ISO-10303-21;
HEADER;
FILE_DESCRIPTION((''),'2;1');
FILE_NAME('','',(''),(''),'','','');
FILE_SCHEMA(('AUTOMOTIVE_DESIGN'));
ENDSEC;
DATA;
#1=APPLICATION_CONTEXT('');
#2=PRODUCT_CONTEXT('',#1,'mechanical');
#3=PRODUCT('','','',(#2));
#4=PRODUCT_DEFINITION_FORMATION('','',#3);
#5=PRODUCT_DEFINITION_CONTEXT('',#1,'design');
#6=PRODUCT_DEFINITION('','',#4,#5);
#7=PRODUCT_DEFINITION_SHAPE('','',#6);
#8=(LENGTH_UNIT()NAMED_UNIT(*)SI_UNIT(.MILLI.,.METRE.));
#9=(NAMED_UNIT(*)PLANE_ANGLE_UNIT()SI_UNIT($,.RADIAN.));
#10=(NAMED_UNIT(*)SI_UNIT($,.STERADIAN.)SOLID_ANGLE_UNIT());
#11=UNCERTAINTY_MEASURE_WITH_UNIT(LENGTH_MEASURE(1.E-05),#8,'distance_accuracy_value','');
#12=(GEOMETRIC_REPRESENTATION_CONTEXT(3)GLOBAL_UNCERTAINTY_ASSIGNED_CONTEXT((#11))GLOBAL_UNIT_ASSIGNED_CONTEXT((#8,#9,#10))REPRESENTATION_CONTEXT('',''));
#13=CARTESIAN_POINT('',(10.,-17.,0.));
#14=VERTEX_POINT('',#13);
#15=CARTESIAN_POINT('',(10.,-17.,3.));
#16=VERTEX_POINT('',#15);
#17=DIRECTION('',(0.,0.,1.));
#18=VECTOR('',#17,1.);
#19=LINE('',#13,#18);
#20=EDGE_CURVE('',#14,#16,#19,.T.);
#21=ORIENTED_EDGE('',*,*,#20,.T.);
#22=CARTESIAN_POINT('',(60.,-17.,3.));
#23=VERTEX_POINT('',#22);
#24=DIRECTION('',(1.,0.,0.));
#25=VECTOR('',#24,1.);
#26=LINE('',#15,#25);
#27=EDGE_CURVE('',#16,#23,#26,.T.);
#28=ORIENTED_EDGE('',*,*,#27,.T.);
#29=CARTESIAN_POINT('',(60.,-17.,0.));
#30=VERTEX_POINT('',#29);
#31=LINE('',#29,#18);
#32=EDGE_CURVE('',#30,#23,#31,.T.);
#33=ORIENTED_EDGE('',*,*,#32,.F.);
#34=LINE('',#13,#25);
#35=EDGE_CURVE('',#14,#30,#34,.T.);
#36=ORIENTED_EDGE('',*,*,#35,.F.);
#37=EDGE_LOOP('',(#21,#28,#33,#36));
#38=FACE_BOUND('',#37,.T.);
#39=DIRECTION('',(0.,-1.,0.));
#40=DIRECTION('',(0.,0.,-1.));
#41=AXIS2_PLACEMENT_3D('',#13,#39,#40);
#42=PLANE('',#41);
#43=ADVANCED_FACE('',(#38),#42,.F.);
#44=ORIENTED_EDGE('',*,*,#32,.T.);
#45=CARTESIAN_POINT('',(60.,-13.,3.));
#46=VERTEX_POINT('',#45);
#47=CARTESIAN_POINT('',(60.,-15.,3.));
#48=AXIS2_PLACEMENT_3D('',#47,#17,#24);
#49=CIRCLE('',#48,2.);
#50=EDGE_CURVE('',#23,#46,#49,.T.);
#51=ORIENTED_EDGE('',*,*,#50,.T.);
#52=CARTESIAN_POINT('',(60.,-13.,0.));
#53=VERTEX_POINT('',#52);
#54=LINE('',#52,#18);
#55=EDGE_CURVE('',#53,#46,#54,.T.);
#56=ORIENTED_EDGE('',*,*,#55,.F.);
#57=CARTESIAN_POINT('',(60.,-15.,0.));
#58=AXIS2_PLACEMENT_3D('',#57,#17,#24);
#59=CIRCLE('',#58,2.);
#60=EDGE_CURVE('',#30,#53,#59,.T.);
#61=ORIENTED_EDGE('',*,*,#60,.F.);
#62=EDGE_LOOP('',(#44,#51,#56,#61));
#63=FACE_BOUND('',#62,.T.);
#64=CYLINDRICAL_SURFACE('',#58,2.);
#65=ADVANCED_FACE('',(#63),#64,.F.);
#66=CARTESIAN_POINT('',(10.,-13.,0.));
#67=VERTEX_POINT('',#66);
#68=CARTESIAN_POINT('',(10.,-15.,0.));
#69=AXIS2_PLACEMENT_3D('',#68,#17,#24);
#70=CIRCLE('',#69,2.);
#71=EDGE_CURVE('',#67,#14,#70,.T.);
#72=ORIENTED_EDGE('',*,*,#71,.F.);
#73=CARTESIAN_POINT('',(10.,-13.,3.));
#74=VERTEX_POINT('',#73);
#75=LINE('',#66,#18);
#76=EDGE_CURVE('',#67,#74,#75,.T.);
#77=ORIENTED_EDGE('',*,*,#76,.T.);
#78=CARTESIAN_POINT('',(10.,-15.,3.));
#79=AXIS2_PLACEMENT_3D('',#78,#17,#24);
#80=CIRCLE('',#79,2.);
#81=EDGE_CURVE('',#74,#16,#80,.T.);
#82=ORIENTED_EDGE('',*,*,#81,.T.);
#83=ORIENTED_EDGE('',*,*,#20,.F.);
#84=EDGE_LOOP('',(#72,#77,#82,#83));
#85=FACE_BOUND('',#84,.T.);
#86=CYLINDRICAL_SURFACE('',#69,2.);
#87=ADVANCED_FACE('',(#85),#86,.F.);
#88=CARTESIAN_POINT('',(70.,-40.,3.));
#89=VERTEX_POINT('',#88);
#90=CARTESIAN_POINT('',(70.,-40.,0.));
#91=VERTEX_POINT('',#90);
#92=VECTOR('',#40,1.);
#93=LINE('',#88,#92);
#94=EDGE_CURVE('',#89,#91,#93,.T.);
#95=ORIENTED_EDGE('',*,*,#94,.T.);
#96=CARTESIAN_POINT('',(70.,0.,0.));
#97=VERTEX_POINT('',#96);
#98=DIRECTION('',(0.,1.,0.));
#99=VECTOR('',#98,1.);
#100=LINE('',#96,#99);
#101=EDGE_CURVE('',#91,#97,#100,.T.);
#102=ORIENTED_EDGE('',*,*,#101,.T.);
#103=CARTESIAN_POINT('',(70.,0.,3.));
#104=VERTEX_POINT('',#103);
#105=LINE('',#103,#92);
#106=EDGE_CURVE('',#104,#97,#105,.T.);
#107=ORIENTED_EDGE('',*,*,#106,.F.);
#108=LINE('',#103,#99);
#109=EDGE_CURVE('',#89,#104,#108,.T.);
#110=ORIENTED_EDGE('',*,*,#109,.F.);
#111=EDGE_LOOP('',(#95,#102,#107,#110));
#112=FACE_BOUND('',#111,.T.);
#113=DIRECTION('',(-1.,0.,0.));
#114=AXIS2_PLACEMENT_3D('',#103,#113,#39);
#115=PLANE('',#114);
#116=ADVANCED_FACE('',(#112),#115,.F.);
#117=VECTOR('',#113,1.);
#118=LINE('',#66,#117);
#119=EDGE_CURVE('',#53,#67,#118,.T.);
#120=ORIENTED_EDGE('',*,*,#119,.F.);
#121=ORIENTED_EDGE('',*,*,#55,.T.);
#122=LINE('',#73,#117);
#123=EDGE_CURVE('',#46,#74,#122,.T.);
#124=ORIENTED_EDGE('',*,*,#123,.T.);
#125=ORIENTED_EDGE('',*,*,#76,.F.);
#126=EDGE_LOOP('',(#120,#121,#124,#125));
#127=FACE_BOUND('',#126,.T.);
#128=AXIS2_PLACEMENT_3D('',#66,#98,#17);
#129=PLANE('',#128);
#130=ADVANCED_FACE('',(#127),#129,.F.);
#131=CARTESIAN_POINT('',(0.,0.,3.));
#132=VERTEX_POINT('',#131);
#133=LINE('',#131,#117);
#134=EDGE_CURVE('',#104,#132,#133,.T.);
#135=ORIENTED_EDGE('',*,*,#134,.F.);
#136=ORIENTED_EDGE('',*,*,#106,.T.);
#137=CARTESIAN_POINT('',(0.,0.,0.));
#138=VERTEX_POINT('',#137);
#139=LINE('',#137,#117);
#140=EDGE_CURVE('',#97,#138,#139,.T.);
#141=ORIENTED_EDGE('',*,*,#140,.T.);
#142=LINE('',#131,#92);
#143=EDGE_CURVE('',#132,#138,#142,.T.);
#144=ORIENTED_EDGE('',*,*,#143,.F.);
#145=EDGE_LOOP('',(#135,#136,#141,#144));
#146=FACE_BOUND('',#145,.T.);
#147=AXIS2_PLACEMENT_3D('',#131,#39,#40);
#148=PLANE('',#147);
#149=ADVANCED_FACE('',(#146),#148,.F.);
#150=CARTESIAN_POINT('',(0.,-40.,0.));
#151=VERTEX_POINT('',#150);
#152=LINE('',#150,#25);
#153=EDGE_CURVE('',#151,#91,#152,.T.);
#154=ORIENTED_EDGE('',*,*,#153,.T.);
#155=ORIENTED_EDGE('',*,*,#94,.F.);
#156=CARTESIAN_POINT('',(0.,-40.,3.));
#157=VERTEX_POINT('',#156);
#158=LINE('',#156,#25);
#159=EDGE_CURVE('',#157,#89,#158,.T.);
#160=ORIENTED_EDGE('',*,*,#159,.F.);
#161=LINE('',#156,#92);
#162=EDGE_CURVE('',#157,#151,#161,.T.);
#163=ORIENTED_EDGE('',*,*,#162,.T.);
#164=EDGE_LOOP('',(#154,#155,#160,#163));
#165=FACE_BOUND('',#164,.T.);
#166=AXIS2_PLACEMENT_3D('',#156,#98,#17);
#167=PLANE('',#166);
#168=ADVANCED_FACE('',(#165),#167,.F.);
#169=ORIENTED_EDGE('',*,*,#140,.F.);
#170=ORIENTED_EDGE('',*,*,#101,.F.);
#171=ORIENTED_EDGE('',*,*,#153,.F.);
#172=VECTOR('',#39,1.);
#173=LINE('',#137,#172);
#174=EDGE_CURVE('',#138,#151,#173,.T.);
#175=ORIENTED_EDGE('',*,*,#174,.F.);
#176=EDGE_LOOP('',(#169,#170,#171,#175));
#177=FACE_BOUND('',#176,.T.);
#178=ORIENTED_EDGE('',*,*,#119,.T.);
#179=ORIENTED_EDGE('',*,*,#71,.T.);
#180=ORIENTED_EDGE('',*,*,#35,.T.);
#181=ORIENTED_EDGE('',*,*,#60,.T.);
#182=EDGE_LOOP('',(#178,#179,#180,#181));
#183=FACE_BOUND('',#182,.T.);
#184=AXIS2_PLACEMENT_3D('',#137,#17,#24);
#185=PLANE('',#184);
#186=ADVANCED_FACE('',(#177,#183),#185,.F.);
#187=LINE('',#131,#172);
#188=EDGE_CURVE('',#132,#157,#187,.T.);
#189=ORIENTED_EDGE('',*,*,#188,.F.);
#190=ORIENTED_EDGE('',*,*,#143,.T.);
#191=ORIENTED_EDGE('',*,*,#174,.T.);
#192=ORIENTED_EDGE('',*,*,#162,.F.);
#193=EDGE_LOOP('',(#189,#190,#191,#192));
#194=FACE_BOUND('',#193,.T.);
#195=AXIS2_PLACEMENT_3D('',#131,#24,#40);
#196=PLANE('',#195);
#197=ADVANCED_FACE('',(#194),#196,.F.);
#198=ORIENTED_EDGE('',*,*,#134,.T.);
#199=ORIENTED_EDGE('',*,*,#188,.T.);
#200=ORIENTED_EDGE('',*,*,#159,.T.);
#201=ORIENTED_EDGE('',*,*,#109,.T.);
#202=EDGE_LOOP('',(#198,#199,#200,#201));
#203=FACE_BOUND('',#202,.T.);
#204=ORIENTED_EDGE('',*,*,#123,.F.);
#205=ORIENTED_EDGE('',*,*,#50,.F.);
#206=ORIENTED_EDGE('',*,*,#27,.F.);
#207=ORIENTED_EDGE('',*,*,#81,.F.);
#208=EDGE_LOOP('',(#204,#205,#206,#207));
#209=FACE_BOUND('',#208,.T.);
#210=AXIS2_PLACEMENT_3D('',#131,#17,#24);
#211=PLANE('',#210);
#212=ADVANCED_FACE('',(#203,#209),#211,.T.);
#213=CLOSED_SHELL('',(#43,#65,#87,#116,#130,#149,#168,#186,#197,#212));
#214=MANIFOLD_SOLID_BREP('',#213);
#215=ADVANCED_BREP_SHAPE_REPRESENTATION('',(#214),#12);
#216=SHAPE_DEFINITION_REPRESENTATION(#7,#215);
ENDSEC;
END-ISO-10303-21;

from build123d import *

# Parameters (mm, degrees)
SKETCH1_W           = 70
SKETCH1_H           = 40
BOSS_EXTRUDE1_DEPTH = 3
CUT_EXTRUDE1_DEPTH  = 3


with BuildPart() as part:
    # Sketch1 → Boss-Extrude1 (new body)
    with BuildSketch(Plane.XY):
        with Locations((35, -20)):
            Rectangle(SKETCH1_W, SKETCH1_H)
    extrude(amount=BOSS_EXTRUDE1_DEPTH)

    # Sketch2 → Cut-Extrude1 (cut)
    with BuildSketch(Plane.XY.offset(3)):
        with BuildLine():
            Line((10, -13), (60, -13))
            ThreePointArc((60, -13), (62, -15), (60, -17))
            Line((60, -17), (10, -17))
            ThreePointArc((10, -17), (8, -15), (10, -13))
        make_face()
    extrude(amount=-CUT_EXTRUDE1_DEPTH, mode=Mode.SUBTRACT)


solid = part.part
